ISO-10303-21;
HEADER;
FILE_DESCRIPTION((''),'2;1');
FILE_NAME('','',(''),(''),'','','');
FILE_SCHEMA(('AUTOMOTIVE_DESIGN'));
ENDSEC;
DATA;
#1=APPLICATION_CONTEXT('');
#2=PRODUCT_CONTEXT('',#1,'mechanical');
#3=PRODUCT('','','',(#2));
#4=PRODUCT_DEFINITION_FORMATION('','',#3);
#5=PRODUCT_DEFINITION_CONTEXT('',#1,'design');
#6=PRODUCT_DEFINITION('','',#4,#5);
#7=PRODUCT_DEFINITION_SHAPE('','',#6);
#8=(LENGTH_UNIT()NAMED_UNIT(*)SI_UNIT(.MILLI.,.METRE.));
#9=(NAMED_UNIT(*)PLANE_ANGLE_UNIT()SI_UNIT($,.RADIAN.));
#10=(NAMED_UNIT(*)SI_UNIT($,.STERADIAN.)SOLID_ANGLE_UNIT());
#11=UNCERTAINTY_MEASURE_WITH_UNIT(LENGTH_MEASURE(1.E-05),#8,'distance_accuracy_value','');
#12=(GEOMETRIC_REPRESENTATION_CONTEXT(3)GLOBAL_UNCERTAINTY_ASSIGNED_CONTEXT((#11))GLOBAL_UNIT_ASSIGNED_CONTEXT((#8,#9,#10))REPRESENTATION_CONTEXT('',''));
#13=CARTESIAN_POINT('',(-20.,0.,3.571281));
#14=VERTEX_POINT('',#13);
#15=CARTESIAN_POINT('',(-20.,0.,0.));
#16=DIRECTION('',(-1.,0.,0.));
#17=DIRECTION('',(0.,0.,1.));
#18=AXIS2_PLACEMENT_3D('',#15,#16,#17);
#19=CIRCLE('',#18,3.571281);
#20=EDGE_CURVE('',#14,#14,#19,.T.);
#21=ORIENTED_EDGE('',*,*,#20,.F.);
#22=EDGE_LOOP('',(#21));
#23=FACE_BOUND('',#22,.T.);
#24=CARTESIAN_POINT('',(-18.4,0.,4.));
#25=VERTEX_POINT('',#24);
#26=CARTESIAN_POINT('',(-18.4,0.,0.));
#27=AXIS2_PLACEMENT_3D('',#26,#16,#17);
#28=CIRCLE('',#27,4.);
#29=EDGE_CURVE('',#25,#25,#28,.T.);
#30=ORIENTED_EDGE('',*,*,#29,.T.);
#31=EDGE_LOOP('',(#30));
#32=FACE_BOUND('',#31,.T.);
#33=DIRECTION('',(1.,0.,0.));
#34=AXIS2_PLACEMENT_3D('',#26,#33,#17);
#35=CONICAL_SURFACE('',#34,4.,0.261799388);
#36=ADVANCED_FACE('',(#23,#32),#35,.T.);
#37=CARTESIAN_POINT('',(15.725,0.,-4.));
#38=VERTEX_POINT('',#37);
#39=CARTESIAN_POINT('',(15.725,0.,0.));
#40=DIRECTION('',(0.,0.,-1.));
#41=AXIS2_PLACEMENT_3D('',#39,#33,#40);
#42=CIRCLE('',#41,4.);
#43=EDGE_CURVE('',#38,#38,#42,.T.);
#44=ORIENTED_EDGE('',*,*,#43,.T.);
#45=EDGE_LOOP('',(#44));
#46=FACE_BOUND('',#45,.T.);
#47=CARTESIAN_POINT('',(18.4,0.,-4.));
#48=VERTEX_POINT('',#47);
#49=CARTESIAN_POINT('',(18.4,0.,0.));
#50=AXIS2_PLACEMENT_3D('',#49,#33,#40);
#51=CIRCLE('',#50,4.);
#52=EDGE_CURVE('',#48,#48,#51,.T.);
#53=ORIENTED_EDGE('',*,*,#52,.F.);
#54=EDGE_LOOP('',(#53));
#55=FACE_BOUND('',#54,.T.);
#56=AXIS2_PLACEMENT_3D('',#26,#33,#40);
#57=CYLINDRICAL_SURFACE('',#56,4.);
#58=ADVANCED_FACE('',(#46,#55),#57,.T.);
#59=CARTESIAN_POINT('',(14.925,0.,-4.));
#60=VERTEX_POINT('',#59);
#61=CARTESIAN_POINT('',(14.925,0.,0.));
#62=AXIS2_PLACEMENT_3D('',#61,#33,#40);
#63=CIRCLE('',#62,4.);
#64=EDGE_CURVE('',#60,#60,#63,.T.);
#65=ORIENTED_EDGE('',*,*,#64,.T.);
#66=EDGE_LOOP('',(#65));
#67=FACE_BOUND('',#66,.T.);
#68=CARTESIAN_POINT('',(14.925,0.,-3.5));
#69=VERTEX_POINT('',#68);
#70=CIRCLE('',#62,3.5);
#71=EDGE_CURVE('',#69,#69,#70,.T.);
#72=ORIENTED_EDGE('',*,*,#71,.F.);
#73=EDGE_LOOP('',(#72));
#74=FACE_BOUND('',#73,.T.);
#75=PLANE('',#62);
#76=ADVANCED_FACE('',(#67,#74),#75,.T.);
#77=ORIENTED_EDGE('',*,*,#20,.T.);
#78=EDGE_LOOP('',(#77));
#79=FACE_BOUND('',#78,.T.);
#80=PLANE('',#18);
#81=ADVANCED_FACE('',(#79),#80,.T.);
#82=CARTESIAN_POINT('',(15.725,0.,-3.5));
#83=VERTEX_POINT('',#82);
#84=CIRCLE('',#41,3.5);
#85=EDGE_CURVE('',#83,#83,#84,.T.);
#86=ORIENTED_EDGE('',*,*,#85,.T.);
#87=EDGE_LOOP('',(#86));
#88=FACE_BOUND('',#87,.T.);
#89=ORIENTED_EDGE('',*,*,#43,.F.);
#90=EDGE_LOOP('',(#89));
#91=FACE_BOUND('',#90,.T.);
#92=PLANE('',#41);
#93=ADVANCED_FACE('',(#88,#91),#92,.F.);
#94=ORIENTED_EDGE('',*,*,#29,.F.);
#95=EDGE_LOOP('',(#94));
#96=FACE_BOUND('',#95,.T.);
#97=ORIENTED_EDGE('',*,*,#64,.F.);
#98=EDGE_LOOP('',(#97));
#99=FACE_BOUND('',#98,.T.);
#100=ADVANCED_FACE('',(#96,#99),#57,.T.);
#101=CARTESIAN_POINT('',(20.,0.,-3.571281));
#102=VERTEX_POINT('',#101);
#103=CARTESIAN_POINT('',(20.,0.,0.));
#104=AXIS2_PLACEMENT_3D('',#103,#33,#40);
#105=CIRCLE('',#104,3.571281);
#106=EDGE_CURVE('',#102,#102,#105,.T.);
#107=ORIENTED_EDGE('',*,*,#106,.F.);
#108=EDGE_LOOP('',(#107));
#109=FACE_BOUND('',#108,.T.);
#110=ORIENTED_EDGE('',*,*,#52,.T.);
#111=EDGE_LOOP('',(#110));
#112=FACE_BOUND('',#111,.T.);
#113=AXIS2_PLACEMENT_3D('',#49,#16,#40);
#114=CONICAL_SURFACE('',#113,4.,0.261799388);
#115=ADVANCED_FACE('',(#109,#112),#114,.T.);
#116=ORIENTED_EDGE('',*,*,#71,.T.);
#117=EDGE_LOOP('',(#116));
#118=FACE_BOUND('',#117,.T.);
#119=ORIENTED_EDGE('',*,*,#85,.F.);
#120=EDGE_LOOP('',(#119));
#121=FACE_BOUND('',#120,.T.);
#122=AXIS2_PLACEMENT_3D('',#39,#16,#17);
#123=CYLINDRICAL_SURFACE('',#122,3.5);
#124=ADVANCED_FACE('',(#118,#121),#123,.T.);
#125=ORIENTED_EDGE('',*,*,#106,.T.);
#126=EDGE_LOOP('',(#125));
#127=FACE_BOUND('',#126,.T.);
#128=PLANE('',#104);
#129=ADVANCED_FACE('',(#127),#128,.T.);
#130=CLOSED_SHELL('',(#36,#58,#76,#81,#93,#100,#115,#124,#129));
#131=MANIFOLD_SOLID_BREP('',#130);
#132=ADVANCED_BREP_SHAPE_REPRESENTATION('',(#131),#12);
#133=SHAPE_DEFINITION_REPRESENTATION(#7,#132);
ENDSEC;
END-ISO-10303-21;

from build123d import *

# Parameters (mm, degrees)
SKETCH2_R           = 4
EXTRUDE1_DEPTH      = 18.4
EXTRUDE1_DEPTH_BACK = 18.4
SKETCH3_R           = 4
EXTRUDE2_DEPTH      = 1.6
EXTRUDE2_TAPER      = 15
SKETCH4_R           = 4
EXTRUDE3_DEPTH      = 1.6
EXTRUDE3_TAPER      = 15
SKETCH5_R           = 4
SKETCH5_R_2         = 3.5
CUT_EXTRUDE1_DEPTH  = 0.8


with BuildPart() as part:
    # Sketch2 → Extrude1 (new body, two sides)
    with BuildSketch(Plane(origin=(0, 0, 0), x_dir=(0, 0, -1), z_dir=(1, 0, 0))) as extrude1_sk:
        Circle(SKETCH2_R)
    extrude(amount=EXTRUDE1_DEPTH)
    extrude(extrude1_sk.sketch, amount=-EXTRUDE1_DEPTH_BACK)

    # Sketch3 → Extrude2 (add)
    with BuildSketch(Plane(origin=(18.4, 0, 0), x_dir=(0, 0, -1), z_dir=(1, 0, 0))):
        Circle(SKETCH3_R)
    extrude(amount=EXTRUDE2_DEPTH, taper=EXTRUDE2_TAPER)

    # Sketch4 → Extrude3 (add)
    with BuildSketch(Plane.ZY.offset(18.4)):
        Circle(SKETCH4_R)
    extrude(amount=EXTRUDE3_DEPTH, taper=EXTRUDE3_TAPER)

    # Sketch5 → Cut-Extrude1 (cut)
    with BuildSketch(Plane(origin=(14.92499999, 0, 0), x_dir=(0, 0, -1), z_dir=(1, 0, 0))):
        Circle(SKETCH5_R)
        Circle(SKETCH5_R_2, mode=Mode.SUBTRACT)
    extrude(amount=CUT_EXTRUDE1_DEPTH, mode=Mode.SUBTRACT)


solid = part.part
